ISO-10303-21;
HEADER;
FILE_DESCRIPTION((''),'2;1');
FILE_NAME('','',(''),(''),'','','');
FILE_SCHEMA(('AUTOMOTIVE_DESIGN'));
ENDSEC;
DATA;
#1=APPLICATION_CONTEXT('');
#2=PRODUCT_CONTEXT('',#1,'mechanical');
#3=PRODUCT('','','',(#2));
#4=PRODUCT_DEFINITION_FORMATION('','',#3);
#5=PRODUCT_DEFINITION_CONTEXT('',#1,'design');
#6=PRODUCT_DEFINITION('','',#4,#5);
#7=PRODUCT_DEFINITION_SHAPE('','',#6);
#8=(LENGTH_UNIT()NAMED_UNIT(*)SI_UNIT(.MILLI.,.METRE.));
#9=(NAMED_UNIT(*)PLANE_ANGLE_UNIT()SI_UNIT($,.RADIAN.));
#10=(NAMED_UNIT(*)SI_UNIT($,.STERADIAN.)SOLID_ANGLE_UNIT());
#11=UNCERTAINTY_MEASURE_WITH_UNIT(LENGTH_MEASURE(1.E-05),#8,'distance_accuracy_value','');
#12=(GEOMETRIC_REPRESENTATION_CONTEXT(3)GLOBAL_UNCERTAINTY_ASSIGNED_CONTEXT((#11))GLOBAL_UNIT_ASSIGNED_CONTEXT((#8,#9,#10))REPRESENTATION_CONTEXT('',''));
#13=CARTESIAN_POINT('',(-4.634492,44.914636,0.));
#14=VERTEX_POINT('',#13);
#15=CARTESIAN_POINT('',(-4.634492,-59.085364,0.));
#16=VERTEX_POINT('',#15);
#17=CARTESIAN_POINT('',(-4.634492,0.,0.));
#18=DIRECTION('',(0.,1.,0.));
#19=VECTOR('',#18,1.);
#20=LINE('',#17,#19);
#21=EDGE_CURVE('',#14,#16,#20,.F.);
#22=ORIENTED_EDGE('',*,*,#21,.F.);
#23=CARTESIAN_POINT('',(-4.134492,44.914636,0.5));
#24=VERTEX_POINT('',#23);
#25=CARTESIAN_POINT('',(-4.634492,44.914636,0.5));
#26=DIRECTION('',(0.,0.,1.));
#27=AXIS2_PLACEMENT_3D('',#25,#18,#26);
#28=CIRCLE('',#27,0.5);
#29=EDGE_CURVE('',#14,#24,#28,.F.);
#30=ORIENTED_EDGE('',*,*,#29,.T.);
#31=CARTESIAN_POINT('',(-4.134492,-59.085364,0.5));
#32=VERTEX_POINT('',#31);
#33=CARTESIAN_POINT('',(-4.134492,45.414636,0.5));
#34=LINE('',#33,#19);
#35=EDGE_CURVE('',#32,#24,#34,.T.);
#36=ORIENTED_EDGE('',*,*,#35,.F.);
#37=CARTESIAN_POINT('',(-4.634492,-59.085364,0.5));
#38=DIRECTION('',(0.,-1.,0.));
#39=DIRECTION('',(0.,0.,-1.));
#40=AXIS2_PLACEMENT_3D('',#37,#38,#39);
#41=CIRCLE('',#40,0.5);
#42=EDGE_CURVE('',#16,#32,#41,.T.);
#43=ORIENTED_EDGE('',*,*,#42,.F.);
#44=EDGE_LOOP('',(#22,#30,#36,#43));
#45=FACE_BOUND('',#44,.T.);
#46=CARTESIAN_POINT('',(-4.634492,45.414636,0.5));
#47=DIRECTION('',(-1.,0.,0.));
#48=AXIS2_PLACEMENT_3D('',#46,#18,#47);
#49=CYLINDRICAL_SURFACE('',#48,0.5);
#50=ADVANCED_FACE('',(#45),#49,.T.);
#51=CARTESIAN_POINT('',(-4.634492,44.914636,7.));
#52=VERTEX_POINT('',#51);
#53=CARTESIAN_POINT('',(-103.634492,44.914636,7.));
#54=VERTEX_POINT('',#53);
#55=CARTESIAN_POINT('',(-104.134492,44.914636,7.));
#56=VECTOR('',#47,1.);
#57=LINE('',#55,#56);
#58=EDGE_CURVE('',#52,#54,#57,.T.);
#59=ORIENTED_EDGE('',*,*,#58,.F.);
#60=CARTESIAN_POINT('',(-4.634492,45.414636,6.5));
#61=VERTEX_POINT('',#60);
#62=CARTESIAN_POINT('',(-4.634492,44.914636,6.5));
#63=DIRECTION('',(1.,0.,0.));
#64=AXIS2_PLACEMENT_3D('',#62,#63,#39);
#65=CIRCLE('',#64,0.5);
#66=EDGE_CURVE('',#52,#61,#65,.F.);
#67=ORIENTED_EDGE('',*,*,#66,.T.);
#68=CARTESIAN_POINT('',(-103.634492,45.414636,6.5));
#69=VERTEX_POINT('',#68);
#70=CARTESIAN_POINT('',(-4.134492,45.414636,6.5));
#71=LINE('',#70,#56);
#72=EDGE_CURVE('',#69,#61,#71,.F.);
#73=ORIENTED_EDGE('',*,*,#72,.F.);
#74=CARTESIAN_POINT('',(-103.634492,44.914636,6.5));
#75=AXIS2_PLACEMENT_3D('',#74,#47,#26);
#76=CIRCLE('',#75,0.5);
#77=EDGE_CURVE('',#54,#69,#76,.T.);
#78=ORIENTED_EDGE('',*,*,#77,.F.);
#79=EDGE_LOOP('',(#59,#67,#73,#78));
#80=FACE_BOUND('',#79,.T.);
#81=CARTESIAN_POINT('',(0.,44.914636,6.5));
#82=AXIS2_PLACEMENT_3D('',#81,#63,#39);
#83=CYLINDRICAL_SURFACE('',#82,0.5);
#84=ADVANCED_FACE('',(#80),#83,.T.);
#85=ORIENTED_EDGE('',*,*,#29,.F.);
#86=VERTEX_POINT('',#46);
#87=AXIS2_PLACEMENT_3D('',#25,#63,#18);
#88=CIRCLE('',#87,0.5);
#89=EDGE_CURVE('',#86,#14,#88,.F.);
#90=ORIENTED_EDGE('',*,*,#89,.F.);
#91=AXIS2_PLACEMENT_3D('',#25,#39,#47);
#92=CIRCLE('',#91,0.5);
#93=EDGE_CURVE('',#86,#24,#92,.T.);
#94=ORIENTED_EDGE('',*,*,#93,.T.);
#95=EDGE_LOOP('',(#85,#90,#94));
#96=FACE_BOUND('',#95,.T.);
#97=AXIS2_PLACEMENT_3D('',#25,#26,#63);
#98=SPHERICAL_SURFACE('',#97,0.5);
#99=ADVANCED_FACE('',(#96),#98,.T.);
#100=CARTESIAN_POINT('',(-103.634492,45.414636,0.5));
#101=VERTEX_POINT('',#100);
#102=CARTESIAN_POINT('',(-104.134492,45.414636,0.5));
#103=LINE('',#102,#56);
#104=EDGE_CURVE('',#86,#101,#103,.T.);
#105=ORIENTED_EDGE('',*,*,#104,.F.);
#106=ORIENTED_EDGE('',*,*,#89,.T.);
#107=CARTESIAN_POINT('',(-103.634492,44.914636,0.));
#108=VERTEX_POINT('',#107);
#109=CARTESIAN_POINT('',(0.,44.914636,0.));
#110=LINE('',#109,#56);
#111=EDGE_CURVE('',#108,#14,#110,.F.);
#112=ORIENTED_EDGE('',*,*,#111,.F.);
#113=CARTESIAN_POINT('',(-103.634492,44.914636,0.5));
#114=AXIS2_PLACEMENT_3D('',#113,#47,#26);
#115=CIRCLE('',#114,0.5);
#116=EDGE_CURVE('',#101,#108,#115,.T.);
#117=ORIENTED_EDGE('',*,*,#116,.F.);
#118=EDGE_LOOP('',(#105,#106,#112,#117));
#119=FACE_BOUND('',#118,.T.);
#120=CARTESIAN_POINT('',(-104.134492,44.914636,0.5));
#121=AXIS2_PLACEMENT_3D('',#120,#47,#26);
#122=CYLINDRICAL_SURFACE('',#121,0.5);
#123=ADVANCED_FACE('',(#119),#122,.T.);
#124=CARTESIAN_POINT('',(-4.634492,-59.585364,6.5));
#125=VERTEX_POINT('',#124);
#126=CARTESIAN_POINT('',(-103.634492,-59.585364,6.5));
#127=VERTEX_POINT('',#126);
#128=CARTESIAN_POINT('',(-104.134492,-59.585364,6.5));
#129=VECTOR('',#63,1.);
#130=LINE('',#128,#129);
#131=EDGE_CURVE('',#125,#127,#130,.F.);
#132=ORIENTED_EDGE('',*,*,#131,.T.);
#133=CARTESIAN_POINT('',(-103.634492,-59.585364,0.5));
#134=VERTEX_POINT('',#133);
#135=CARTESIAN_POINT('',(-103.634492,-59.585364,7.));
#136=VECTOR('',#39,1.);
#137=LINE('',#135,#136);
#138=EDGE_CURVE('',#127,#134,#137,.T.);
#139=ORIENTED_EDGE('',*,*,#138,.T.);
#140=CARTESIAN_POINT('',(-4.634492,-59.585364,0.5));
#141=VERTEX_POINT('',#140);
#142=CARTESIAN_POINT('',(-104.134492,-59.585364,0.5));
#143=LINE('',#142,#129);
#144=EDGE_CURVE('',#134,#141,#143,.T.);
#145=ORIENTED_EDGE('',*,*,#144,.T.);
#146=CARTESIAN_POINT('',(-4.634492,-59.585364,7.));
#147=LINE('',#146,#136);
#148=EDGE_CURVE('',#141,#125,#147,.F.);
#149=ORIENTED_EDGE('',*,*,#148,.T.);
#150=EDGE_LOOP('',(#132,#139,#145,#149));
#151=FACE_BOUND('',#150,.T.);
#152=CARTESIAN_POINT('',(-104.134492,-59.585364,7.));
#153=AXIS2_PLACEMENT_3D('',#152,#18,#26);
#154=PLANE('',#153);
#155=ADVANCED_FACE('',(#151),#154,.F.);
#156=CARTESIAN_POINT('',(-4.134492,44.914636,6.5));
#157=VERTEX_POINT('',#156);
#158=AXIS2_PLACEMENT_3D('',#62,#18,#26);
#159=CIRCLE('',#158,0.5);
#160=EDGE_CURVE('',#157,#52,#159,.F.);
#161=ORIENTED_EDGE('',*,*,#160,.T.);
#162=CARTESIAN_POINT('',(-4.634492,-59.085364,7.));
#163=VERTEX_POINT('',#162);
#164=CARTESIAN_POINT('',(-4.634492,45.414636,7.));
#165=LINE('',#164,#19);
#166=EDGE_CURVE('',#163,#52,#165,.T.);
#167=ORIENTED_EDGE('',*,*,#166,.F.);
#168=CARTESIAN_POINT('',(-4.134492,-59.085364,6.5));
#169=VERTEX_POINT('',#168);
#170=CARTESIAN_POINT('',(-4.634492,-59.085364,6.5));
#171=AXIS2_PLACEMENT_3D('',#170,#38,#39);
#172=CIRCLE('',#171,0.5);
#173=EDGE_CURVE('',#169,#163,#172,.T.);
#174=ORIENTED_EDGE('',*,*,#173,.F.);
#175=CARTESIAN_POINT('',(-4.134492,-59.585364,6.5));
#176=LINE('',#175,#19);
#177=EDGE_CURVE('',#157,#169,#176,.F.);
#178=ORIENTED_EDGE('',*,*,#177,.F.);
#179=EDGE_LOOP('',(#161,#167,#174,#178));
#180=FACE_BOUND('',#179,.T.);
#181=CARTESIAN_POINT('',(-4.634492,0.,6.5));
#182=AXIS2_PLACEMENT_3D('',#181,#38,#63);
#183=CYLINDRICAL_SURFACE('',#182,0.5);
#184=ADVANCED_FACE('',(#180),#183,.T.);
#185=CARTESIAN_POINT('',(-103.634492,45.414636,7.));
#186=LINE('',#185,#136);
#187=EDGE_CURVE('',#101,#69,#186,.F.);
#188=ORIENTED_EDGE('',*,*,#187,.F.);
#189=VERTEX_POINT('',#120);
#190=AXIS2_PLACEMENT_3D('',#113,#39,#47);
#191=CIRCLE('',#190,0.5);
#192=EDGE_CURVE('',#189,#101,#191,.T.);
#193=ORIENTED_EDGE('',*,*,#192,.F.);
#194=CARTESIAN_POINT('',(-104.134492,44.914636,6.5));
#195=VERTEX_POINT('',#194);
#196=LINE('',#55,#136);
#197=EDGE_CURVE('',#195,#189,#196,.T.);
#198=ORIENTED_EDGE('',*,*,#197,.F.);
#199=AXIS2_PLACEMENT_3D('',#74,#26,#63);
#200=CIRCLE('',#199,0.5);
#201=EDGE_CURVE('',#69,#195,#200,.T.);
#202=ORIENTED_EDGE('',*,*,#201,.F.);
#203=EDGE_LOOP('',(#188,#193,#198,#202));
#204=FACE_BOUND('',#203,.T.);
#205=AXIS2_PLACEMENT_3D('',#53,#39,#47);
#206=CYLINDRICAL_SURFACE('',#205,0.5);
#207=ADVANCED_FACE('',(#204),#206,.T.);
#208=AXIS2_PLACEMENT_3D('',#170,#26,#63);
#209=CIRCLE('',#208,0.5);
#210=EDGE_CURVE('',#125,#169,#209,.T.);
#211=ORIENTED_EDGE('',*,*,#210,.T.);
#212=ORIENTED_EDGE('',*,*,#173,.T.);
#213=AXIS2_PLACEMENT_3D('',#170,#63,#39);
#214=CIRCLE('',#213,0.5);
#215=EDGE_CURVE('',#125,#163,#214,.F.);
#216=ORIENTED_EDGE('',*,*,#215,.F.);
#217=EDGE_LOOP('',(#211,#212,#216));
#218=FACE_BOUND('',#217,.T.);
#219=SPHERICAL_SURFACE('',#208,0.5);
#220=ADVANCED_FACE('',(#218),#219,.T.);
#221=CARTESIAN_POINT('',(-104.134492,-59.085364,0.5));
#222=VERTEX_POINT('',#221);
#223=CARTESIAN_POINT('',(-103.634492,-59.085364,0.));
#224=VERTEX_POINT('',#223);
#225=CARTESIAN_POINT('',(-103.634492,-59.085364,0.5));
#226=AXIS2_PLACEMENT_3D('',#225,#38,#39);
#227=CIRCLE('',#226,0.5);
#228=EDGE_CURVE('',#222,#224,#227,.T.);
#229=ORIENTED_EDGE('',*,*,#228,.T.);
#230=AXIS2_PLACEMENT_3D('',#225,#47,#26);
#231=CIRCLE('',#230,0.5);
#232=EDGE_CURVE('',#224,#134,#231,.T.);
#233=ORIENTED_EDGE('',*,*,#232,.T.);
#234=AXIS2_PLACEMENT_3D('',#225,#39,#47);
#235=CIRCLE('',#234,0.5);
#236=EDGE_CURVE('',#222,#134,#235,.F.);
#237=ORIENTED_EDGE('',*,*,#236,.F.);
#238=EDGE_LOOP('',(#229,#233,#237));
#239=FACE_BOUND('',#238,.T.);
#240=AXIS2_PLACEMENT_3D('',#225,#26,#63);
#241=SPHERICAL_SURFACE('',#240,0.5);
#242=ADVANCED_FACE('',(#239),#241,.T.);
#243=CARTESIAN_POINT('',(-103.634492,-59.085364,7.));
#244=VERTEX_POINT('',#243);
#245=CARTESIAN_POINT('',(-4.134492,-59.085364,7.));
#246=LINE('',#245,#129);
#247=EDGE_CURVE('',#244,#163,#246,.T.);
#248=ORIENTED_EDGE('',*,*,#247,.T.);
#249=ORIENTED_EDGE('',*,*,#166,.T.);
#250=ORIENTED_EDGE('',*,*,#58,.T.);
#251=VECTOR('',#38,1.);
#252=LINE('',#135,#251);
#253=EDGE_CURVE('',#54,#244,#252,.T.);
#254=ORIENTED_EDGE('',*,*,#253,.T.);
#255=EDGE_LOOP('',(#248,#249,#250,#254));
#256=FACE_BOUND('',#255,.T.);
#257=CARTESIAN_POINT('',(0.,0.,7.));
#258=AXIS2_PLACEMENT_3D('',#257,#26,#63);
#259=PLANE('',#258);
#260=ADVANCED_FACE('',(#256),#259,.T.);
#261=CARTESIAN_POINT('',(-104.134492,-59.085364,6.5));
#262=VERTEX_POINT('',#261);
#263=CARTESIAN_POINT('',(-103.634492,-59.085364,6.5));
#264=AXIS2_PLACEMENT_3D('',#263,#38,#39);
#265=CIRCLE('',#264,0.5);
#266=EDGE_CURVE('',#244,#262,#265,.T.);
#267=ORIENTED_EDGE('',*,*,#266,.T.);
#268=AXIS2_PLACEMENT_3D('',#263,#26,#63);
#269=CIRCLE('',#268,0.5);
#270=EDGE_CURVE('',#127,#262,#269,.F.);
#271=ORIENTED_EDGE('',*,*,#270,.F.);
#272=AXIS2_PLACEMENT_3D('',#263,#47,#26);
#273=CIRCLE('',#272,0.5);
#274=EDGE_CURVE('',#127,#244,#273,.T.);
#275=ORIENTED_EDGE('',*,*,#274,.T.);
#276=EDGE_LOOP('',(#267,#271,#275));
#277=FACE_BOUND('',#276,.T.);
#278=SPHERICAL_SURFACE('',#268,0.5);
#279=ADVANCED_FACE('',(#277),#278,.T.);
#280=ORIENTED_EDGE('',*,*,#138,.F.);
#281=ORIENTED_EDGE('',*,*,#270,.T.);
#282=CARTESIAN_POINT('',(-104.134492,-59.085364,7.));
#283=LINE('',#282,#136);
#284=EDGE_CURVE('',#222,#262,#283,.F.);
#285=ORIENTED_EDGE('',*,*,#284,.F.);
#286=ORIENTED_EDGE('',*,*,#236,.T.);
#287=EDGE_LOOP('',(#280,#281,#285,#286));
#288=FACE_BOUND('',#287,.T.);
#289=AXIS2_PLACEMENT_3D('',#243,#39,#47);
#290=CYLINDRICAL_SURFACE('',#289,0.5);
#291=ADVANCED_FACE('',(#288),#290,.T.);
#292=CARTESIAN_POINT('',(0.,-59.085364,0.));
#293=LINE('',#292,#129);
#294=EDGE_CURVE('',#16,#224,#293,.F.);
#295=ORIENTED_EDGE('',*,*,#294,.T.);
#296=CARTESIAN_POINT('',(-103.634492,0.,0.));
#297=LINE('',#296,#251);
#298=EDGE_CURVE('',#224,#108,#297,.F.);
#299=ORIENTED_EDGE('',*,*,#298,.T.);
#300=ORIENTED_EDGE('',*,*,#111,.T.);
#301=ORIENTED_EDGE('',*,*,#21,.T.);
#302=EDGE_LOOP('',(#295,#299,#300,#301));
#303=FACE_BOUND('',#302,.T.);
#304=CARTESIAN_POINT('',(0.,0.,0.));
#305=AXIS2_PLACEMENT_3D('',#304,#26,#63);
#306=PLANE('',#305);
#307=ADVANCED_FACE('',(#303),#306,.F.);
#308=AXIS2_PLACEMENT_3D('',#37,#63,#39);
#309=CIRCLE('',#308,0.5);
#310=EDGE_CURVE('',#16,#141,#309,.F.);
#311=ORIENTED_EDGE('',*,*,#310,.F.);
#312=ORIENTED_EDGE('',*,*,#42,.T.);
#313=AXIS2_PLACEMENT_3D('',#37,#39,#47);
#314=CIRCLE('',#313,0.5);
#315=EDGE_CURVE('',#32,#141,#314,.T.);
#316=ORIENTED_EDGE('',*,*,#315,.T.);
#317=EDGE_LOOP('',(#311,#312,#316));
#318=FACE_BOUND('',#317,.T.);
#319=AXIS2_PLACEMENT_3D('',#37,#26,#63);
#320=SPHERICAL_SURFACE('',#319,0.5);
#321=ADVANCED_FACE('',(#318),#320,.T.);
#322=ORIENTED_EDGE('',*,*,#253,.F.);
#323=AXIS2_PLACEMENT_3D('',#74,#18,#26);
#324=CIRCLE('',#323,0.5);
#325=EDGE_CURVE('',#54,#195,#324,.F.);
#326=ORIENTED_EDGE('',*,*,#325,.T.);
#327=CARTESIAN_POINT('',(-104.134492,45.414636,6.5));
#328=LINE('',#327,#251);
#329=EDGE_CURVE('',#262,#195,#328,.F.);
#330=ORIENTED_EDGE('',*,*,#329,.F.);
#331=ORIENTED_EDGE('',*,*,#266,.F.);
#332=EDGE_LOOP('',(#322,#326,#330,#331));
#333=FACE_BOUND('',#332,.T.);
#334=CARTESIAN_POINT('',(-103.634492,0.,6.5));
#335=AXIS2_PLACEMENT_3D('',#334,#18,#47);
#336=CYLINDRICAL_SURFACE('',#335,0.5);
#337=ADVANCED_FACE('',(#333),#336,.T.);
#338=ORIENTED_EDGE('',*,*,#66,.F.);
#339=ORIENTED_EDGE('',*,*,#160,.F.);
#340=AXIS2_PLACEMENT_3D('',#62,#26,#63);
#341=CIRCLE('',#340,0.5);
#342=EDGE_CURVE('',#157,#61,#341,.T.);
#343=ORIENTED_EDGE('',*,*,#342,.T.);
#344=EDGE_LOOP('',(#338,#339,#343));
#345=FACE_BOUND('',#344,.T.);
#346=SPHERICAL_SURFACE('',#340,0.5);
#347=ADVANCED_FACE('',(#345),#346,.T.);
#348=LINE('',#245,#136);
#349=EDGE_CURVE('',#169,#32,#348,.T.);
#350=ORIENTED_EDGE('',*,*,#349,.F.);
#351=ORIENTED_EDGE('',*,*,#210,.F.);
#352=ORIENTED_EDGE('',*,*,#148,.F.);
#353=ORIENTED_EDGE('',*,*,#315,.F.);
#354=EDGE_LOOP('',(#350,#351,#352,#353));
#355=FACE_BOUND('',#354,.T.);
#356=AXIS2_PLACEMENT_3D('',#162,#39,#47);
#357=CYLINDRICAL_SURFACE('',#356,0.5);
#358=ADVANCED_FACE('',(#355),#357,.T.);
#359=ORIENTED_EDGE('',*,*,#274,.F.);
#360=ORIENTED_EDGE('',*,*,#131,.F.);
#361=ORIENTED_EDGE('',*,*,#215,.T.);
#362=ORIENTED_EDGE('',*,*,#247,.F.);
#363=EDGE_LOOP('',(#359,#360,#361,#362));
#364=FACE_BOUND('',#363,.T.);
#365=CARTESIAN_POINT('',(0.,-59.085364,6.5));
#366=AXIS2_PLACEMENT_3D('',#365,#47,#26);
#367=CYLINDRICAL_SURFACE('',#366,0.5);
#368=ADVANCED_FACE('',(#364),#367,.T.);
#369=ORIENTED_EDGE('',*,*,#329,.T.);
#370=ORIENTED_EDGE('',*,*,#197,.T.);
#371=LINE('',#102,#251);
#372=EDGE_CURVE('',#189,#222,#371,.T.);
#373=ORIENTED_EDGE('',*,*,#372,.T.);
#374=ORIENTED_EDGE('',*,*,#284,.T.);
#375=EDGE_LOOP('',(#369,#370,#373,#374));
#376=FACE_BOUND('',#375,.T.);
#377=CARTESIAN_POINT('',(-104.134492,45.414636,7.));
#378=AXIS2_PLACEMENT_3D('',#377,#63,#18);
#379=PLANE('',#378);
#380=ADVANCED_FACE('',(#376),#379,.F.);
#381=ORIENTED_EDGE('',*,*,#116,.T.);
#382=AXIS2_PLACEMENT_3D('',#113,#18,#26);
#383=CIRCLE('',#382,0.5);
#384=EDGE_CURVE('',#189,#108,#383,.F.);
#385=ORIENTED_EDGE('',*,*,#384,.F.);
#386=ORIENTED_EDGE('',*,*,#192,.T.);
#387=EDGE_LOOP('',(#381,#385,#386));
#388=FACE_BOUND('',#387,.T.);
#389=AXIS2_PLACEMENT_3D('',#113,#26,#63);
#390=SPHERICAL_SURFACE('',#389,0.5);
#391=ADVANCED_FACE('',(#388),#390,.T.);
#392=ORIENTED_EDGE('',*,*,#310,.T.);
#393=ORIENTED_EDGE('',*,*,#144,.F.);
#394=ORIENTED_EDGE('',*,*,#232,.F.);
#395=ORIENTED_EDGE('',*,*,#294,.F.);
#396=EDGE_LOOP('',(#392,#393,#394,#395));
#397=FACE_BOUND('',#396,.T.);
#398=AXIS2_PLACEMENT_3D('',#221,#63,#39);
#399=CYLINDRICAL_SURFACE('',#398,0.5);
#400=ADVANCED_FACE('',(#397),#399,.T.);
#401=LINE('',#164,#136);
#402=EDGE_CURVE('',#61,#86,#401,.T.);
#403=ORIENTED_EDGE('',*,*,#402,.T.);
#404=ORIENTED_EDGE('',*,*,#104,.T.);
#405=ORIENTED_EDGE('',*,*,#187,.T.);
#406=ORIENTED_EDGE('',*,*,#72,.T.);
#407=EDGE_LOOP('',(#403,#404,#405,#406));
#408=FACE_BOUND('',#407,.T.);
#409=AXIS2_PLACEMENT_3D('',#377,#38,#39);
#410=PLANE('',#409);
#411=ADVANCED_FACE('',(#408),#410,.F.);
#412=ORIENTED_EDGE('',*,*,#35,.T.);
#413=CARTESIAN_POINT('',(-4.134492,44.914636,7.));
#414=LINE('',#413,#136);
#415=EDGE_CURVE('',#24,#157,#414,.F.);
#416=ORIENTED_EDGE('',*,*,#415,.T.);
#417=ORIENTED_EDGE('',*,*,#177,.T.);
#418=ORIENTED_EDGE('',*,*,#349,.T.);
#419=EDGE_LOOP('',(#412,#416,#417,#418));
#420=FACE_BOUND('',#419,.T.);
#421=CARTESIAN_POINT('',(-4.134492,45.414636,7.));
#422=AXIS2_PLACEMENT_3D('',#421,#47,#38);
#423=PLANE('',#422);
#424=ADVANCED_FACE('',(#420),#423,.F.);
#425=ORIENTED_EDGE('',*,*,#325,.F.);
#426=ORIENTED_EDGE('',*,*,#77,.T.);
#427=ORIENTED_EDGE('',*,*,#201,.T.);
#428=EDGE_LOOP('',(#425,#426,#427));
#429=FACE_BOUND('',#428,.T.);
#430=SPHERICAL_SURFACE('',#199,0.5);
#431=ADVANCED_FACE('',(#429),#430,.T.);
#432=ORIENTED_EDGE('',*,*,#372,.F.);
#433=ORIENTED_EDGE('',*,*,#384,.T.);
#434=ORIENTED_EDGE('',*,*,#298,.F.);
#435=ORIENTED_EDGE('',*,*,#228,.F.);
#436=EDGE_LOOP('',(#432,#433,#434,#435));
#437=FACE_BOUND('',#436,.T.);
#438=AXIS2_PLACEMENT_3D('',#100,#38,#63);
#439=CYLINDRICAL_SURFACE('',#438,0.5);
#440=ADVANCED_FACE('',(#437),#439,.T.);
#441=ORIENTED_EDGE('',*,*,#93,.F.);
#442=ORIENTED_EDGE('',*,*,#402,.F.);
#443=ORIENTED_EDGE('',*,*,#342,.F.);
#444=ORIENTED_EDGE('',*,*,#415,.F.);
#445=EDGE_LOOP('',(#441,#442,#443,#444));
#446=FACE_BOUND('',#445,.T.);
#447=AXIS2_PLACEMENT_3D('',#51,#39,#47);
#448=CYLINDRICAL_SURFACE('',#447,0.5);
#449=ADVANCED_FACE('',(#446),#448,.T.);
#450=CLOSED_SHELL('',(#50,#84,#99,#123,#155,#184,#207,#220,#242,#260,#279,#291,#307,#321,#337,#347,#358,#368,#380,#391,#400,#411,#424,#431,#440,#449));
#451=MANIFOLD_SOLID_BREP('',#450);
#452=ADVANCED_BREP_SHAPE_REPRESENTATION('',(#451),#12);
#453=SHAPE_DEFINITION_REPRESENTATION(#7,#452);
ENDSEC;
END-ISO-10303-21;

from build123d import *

# Parameters (mm, degrees)
SKETCH1_W           = 100
SKETCH1_H           = 105
BOSS_EXTRUDE1_DEPTH = 7
FILLET1_R           = 0.5


with BuildPart() as part:
    # Sketch1 → Boss-Extrude1 (new body)
    with BuildSketch(Plane.XY):
        with Locations((-54.134492072, -7.085363605)):
            Rectangle(SKETCH1_W, SKETCH1_H)
    extrude(amount=BOSS_EXTRUDE1_DEPTH)

    # Fillet1
    fillet1_edges = [part.edges().sort_by_distance(p)[0] for p in [
        (-104.134492072, -7.085363605, 7),
        (-54.134492072, -59.585363605, 7),
        (-4.134492072, -7.085363605, 7),
        (-54.134492072, -59.585363605, 0),
        (-104.134492072, -7.085363605, 0),
        (-54.134492072, 45.414636395, 0),
        (-4.134492072, -7.085363605, 0),
        (-54.134492072, 45.414636395, 7),
        (-4.134492072, -59.585363605, 3.5),
        (-104.134492072, -59.585363605, 3.5),
        (-104.134492072, 45.414636395, 3.5),
        (-4.134492072, 45.414636395, 3.5),
    ]]
    fillet(fillet1_edges, radius=FILLET1_R)


solid = part.part
